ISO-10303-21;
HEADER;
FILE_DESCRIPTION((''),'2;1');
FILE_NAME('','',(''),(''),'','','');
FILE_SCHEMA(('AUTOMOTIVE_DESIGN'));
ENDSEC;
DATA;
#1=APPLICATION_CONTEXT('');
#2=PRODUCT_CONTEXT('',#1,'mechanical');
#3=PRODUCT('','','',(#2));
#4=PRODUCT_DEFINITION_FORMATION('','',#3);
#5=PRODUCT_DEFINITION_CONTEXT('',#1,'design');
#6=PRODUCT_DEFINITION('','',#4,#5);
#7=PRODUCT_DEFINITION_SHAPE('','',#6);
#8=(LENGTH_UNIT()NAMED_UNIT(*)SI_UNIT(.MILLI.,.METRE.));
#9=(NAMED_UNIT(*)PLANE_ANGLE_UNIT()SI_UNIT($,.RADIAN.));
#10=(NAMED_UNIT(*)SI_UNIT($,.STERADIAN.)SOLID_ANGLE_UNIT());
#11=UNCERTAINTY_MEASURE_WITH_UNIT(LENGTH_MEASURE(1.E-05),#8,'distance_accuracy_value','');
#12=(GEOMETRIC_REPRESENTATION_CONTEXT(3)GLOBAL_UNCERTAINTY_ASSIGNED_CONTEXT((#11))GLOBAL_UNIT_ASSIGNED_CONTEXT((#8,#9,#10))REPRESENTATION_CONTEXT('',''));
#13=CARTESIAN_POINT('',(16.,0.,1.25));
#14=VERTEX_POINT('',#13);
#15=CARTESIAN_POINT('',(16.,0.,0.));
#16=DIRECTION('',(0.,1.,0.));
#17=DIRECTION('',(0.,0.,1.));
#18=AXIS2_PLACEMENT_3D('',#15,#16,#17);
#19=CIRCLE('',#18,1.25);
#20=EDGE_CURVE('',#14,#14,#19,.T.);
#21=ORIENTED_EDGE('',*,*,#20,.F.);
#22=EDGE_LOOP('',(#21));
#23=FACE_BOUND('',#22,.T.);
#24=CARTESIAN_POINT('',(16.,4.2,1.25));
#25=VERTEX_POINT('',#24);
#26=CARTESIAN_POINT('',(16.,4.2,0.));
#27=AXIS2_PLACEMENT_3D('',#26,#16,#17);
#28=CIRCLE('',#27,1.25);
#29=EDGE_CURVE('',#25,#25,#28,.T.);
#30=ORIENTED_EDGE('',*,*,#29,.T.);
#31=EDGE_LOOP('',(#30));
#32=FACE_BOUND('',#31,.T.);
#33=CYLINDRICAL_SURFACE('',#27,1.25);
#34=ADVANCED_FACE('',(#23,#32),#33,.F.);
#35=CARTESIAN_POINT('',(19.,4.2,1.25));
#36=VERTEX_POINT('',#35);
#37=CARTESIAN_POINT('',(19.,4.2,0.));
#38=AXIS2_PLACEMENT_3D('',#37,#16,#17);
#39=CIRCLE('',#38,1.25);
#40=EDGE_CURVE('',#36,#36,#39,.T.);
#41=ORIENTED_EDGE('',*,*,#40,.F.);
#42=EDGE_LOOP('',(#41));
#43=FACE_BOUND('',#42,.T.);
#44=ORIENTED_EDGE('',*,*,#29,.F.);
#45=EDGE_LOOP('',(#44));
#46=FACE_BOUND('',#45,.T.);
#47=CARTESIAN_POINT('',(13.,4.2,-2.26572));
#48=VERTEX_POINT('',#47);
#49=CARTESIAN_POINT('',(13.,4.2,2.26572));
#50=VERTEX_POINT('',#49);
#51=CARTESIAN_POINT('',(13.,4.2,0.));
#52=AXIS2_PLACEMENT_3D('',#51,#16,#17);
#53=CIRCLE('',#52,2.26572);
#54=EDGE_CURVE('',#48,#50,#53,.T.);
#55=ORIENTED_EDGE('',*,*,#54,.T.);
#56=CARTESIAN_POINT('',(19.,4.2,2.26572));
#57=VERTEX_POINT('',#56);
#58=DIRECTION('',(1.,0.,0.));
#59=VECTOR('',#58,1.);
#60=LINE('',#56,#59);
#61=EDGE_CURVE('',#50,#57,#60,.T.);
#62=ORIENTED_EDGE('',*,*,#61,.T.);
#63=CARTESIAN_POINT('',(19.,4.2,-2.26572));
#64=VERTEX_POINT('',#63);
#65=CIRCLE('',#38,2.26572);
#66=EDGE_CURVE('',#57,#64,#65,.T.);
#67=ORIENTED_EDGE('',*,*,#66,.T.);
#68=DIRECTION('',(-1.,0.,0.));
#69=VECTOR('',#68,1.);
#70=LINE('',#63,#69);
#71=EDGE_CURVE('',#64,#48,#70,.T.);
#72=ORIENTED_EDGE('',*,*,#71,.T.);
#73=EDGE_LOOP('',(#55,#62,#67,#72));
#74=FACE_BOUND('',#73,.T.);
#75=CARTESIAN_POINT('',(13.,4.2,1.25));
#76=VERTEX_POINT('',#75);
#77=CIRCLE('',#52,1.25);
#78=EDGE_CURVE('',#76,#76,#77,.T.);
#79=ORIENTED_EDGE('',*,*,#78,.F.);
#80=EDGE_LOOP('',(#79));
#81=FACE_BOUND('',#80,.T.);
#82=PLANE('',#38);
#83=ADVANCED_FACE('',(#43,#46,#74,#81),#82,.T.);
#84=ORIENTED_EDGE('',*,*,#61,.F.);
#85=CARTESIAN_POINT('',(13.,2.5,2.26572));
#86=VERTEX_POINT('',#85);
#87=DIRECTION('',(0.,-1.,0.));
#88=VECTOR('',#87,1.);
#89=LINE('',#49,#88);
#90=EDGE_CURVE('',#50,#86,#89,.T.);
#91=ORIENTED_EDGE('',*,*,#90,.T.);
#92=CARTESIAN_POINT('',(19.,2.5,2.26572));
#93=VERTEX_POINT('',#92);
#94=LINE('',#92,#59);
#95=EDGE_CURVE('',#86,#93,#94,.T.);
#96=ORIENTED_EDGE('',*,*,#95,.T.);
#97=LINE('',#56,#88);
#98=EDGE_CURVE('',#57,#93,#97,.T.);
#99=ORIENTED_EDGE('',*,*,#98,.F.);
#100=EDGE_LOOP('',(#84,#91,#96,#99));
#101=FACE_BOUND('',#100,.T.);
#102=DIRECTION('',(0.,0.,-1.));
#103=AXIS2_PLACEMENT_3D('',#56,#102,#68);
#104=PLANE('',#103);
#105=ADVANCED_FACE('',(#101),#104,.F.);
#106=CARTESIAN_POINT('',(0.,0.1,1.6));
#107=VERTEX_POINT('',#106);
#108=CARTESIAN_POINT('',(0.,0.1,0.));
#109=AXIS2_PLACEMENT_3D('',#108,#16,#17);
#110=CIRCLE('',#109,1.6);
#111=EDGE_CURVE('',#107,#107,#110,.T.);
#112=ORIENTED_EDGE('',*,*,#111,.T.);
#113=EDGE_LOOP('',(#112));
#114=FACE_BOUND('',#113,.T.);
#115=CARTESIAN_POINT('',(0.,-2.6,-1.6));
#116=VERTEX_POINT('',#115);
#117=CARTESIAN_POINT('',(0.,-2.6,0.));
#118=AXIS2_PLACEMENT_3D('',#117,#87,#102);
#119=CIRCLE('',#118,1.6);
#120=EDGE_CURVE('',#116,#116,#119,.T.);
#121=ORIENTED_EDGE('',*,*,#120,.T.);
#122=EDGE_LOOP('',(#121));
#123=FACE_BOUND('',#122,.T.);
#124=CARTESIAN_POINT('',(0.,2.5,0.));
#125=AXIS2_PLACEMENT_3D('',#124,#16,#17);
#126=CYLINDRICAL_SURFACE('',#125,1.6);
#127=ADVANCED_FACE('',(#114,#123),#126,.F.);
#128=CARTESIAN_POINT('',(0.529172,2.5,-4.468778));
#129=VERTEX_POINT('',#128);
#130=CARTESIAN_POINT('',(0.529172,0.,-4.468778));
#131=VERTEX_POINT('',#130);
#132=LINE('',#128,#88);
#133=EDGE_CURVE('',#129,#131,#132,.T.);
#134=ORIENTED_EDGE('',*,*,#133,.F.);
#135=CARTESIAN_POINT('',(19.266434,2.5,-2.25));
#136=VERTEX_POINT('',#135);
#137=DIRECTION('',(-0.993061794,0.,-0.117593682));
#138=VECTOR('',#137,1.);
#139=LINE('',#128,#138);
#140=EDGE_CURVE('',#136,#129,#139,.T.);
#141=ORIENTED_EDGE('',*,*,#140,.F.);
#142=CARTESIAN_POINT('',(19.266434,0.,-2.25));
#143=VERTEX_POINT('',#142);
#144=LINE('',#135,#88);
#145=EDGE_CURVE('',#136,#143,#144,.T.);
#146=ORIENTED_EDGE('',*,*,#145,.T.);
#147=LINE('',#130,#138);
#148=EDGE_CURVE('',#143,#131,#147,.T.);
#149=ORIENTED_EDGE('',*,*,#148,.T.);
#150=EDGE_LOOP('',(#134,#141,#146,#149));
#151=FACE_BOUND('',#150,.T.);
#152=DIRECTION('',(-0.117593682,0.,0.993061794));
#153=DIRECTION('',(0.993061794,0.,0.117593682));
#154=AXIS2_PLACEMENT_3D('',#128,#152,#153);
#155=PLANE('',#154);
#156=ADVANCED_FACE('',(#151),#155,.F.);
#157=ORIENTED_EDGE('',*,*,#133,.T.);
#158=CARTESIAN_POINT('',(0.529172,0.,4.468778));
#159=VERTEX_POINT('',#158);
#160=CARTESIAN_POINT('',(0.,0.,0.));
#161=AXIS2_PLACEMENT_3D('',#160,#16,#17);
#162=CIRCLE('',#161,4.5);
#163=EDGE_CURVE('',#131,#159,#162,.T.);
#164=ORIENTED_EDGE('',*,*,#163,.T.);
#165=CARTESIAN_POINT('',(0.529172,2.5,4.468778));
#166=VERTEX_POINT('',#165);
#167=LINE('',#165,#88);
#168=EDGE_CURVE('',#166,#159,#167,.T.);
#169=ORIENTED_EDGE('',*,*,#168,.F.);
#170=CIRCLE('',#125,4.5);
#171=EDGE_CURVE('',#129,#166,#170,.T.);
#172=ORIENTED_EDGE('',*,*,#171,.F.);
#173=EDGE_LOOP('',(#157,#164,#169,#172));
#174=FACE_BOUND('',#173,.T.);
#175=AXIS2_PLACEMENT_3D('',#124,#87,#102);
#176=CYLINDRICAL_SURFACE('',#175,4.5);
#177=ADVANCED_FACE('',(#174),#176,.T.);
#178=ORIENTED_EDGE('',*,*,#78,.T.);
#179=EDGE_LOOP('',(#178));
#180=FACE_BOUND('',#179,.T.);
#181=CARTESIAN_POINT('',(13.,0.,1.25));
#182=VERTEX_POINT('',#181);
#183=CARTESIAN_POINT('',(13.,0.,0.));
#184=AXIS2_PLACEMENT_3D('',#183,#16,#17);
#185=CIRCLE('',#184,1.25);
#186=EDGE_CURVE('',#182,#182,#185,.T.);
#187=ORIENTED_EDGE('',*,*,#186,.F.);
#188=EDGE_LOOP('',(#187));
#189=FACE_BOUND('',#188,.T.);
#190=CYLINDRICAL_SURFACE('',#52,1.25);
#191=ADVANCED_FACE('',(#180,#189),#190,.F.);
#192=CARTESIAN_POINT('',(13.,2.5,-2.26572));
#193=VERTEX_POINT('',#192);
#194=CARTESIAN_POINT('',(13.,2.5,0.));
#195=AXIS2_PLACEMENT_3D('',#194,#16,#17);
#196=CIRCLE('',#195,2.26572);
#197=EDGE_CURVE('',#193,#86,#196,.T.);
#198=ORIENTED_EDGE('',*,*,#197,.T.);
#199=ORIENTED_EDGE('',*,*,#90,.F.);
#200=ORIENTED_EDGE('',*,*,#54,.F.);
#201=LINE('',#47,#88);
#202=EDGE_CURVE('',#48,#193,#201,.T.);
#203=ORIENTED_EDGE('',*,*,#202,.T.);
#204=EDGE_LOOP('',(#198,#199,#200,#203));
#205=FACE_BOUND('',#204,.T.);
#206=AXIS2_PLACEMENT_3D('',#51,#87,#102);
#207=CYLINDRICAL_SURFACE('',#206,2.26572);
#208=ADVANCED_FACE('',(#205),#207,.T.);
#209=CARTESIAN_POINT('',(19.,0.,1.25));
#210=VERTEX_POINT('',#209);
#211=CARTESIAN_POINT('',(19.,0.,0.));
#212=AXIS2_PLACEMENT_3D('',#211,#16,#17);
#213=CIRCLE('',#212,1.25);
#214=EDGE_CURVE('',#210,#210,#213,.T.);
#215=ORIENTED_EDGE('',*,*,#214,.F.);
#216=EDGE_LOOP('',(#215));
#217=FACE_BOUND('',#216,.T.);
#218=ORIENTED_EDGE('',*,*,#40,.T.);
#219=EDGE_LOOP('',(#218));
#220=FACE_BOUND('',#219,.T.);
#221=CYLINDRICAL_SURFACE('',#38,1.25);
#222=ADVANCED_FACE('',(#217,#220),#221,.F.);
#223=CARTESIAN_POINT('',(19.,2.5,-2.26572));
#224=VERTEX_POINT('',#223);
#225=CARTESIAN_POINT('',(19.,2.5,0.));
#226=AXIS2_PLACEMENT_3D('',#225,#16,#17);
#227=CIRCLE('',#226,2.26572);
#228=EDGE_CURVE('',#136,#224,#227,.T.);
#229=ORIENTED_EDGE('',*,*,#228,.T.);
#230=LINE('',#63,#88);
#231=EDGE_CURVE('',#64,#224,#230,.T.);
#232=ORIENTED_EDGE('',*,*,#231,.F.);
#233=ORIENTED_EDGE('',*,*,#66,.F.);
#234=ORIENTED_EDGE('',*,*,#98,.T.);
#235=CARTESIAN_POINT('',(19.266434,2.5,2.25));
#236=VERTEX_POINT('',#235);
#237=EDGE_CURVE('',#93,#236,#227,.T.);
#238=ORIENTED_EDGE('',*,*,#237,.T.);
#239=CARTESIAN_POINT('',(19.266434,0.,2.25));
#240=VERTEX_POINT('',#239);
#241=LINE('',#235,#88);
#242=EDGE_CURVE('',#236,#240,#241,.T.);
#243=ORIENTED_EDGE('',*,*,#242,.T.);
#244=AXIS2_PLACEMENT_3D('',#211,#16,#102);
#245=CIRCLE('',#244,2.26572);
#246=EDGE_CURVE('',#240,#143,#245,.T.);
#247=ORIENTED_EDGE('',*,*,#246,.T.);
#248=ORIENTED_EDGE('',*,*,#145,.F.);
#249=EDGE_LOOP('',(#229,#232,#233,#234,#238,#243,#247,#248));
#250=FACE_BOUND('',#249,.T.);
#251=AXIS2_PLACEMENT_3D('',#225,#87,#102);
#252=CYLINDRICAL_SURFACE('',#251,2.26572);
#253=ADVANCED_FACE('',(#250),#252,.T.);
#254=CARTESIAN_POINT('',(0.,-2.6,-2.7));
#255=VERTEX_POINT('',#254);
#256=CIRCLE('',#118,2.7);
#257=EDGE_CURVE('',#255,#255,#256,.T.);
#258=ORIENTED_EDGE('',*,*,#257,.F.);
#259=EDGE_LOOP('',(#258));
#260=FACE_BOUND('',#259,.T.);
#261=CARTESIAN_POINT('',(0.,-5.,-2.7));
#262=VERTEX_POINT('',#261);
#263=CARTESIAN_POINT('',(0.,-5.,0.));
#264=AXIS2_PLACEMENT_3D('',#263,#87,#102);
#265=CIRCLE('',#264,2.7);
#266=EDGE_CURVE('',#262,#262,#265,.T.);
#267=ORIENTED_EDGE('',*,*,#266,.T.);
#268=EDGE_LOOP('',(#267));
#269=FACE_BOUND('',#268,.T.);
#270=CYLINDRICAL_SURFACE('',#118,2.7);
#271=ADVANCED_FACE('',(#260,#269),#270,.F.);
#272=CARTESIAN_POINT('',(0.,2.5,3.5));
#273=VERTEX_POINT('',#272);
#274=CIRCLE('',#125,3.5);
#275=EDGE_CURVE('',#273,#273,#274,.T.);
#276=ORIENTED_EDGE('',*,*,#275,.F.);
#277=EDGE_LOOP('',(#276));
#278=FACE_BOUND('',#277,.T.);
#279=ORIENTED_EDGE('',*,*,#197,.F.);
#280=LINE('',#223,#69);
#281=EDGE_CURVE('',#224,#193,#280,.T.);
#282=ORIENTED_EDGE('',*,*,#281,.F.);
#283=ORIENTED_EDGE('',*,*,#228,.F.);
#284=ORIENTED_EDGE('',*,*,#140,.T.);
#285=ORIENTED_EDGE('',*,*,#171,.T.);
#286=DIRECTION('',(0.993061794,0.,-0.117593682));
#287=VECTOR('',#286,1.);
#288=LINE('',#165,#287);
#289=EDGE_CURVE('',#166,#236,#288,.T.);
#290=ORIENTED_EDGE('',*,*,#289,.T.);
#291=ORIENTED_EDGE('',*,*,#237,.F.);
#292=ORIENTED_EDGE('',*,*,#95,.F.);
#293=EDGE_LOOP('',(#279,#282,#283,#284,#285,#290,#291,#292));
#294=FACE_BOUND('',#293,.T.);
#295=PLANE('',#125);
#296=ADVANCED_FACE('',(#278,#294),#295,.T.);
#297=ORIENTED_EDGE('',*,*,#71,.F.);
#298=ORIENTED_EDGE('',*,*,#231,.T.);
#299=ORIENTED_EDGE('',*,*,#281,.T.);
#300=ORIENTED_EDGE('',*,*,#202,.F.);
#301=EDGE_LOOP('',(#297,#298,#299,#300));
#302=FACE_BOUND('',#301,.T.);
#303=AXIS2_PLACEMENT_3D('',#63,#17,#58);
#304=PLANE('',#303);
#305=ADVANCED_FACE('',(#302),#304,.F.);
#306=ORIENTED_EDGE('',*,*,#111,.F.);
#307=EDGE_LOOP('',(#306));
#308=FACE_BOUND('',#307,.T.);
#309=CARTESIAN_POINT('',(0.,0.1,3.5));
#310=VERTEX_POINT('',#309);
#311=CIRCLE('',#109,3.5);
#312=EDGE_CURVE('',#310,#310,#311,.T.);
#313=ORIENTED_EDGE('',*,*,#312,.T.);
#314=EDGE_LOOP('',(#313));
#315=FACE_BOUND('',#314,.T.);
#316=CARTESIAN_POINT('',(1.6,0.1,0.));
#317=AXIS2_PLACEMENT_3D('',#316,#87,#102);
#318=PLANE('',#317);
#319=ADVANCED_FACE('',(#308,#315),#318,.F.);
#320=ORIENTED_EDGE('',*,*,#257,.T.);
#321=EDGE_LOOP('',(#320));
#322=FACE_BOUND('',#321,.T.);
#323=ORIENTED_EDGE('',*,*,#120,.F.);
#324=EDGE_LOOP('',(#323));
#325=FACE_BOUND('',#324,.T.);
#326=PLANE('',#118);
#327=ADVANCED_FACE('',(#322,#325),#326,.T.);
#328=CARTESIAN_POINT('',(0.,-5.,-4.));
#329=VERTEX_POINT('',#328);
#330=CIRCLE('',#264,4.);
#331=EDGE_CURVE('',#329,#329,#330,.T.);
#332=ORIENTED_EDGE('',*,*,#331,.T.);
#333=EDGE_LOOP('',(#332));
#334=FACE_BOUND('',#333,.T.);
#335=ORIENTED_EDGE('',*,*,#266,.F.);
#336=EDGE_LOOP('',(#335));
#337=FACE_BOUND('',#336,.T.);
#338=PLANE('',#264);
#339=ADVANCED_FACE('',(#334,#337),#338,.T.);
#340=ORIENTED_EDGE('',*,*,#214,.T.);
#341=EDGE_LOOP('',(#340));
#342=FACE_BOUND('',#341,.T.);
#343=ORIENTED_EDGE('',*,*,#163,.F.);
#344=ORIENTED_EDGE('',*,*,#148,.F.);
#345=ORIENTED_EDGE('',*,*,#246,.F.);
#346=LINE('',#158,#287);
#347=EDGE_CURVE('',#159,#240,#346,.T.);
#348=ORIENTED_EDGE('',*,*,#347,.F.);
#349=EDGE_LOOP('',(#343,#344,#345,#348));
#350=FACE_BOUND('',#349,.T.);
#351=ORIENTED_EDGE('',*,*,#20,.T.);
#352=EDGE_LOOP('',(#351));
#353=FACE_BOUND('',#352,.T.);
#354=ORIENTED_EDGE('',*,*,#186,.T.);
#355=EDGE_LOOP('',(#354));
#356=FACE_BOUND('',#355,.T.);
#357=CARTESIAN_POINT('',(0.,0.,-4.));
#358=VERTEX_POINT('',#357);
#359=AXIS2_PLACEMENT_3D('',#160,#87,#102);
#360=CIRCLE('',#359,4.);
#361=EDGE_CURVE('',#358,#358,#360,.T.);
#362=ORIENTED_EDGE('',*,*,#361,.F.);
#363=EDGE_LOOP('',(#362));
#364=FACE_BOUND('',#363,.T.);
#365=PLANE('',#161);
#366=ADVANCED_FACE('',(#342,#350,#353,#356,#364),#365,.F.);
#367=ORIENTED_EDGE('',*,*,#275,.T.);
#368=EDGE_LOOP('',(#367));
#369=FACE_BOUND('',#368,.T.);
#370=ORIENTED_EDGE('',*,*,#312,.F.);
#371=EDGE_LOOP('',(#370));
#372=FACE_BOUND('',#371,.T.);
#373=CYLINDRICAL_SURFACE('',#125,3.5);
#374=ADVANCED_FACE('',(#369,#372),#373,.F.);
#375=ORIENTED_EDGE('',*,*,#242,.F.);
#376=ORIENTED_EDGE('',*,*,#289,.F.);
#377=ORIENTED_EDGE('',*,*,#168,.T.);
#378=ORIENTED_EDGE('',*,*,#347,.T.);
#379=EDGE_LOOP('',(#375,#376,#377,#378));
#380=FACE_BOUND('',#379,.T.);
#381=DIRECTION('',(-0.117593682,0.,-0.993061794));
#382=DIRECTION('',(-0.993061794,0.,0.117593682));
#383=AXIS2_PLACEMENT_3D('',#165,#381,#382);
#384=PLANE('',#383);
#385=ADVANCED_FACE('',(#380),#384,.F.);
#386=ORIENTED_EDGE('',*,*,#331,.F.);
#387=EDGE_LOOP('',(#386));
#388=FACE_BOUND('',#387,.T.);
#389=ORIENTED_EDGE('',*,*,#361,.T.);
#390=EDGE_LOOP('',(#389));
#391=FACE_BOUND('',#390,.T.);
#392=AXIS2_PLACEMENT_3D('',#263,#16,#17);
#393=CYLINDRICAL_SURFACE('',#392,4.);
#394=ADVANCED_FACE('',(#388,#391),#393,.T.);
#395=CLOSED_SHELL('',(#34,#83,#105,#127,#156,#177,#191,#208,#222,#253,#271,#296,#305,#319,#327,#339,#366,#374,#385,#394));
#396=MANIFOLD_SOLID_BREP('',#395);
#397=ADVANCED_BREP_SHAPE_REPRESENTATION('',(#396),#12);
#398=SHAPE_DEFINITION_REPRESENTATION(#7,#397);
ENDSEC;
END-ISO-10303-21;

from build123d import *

# Parameters (mm, degrees)
BOSS_EXTRU_1_DEPTH                                 = 2.5
ESQUISSE2_R                                        = 4
BOSS_EXTRU_2_DEPTH                                 = 5
ESQUISSE3_R                                        = 2.7
ENL_V_MAT_EXTRU_1_DEPTH                            = 2.4
CHAMBRAGE_POUR_VIS_T_TE_RONDE_BOMB_E_M_D           = 3.2
CHAMBRAGE_POUR_VIS_T_TE_RONDE_BOMB_E_M_CBORE_D     = 7
CHAMBRAGE_POUR_VIS_T_TE_RONDE_BOMB_E_M_CBORE_DEPTH = 2.4
BOSS_EXTRU_3_DEPTH                                 = 1.7
DIAM_TRE_DU_PER_AGE_2_5_2_5_1_D                    = 2.5


with BuildPart() as part:
    # Esquisse1 → Boss.-Extru.1 (new body)
    with BuildSketch(Plane(origin=(0, 0, 0), x_dir=(1, 0, 0), z_dir=(0, 1, 0))):
        with BuildLine():
            Line((0.529171571, 4.468778071), (19.266434362, 2.25))
            ThreePointArc((19.266434362, 2.25), (21.265720033, 0), (19.266434362, -2.25))
            Line((19.266434362, -2.25), (0.529171571, -4.468778071))
            ThreePointArc((0.529171571, -4.468778071), (-4.5, 0), (0.529171571, 4.468778071))
        make_face()
    extrude(amount=BOSS_EXTRU_1_DEPTH)

    # Esquisse2 → Boss.-Extru.2 (add)
    with BuildSketch(Plane.XZ):
        Circle(ESQUISSE2_R)
    extrude(amount=BOSS_EXTRU_2_DEPTH)

    # Esquisse3 → Enlèv. mat.-Extru.1 (cut)
    with BuildSketch(Plane.XZ.offset(5)):
        Circle(ESQUISSE3_R)
    extrude(amount=-ENL_V_MAT_EXTRU_1_DEPTH, mode=Mode.SUBTRACT)

    # Chambrage pour vis à tête ronde bombée M31 (through all)
    with Locations(Plane(origin=(0, 2.5, 0), x_dir=(1, 0, 0), z_dir=(0, 1, 0))):
        with Locations((0, 0)):
            CounterBoreHole(CHAMBRAGE_POUR_VIS_T_TE_RONDE_BOMB_E_M_D / 2, CHAMBRAGE_POUR_VIS_T_TE_RONDE_BOMB_E_M_CBORE_D / 2, CHAMBRAGE_POUR_VIS_T_TE_RONDE_BOMB_E_M_CBORE_DEPTH)

    # Esquisse6 → Boss.-Extru.3 (add)
    with BuildSketch(Plane(origin=(0, 2.5, 0), x_dir=(1, 0, 0), z_dir=(0, 1, 0))):
        with BuildLine():
            Line((19, -2.265720033), (13, -2.265720033))
            ThreePointArc((13, -2.265720033), (10.734279967, 0), (13, 2.265720033))
            Line((13, 2.265720033), (19, 2.265720033))
            ThreePointArc((19, 2.265720033), (21.265720033, 0), (19, -2.265720033))
        make_face()
    extrude(amount=BOSS_EXTRU_3_DEPTH)

    # Diamètre du perçage Ø2.5 (2.5)1 (through all)
    with Locations(Plane(origin=(0, 4.2, 0), x_dir=(1, 0, 0), z_dir=(0, 1, 0))):
        with Locations((13, 0), (16, 0), (19, 0)):
            Hole(DIAM_TRE_DU_PER_AGE_2_5_2_5_1_D / 2)


solid = part.part
